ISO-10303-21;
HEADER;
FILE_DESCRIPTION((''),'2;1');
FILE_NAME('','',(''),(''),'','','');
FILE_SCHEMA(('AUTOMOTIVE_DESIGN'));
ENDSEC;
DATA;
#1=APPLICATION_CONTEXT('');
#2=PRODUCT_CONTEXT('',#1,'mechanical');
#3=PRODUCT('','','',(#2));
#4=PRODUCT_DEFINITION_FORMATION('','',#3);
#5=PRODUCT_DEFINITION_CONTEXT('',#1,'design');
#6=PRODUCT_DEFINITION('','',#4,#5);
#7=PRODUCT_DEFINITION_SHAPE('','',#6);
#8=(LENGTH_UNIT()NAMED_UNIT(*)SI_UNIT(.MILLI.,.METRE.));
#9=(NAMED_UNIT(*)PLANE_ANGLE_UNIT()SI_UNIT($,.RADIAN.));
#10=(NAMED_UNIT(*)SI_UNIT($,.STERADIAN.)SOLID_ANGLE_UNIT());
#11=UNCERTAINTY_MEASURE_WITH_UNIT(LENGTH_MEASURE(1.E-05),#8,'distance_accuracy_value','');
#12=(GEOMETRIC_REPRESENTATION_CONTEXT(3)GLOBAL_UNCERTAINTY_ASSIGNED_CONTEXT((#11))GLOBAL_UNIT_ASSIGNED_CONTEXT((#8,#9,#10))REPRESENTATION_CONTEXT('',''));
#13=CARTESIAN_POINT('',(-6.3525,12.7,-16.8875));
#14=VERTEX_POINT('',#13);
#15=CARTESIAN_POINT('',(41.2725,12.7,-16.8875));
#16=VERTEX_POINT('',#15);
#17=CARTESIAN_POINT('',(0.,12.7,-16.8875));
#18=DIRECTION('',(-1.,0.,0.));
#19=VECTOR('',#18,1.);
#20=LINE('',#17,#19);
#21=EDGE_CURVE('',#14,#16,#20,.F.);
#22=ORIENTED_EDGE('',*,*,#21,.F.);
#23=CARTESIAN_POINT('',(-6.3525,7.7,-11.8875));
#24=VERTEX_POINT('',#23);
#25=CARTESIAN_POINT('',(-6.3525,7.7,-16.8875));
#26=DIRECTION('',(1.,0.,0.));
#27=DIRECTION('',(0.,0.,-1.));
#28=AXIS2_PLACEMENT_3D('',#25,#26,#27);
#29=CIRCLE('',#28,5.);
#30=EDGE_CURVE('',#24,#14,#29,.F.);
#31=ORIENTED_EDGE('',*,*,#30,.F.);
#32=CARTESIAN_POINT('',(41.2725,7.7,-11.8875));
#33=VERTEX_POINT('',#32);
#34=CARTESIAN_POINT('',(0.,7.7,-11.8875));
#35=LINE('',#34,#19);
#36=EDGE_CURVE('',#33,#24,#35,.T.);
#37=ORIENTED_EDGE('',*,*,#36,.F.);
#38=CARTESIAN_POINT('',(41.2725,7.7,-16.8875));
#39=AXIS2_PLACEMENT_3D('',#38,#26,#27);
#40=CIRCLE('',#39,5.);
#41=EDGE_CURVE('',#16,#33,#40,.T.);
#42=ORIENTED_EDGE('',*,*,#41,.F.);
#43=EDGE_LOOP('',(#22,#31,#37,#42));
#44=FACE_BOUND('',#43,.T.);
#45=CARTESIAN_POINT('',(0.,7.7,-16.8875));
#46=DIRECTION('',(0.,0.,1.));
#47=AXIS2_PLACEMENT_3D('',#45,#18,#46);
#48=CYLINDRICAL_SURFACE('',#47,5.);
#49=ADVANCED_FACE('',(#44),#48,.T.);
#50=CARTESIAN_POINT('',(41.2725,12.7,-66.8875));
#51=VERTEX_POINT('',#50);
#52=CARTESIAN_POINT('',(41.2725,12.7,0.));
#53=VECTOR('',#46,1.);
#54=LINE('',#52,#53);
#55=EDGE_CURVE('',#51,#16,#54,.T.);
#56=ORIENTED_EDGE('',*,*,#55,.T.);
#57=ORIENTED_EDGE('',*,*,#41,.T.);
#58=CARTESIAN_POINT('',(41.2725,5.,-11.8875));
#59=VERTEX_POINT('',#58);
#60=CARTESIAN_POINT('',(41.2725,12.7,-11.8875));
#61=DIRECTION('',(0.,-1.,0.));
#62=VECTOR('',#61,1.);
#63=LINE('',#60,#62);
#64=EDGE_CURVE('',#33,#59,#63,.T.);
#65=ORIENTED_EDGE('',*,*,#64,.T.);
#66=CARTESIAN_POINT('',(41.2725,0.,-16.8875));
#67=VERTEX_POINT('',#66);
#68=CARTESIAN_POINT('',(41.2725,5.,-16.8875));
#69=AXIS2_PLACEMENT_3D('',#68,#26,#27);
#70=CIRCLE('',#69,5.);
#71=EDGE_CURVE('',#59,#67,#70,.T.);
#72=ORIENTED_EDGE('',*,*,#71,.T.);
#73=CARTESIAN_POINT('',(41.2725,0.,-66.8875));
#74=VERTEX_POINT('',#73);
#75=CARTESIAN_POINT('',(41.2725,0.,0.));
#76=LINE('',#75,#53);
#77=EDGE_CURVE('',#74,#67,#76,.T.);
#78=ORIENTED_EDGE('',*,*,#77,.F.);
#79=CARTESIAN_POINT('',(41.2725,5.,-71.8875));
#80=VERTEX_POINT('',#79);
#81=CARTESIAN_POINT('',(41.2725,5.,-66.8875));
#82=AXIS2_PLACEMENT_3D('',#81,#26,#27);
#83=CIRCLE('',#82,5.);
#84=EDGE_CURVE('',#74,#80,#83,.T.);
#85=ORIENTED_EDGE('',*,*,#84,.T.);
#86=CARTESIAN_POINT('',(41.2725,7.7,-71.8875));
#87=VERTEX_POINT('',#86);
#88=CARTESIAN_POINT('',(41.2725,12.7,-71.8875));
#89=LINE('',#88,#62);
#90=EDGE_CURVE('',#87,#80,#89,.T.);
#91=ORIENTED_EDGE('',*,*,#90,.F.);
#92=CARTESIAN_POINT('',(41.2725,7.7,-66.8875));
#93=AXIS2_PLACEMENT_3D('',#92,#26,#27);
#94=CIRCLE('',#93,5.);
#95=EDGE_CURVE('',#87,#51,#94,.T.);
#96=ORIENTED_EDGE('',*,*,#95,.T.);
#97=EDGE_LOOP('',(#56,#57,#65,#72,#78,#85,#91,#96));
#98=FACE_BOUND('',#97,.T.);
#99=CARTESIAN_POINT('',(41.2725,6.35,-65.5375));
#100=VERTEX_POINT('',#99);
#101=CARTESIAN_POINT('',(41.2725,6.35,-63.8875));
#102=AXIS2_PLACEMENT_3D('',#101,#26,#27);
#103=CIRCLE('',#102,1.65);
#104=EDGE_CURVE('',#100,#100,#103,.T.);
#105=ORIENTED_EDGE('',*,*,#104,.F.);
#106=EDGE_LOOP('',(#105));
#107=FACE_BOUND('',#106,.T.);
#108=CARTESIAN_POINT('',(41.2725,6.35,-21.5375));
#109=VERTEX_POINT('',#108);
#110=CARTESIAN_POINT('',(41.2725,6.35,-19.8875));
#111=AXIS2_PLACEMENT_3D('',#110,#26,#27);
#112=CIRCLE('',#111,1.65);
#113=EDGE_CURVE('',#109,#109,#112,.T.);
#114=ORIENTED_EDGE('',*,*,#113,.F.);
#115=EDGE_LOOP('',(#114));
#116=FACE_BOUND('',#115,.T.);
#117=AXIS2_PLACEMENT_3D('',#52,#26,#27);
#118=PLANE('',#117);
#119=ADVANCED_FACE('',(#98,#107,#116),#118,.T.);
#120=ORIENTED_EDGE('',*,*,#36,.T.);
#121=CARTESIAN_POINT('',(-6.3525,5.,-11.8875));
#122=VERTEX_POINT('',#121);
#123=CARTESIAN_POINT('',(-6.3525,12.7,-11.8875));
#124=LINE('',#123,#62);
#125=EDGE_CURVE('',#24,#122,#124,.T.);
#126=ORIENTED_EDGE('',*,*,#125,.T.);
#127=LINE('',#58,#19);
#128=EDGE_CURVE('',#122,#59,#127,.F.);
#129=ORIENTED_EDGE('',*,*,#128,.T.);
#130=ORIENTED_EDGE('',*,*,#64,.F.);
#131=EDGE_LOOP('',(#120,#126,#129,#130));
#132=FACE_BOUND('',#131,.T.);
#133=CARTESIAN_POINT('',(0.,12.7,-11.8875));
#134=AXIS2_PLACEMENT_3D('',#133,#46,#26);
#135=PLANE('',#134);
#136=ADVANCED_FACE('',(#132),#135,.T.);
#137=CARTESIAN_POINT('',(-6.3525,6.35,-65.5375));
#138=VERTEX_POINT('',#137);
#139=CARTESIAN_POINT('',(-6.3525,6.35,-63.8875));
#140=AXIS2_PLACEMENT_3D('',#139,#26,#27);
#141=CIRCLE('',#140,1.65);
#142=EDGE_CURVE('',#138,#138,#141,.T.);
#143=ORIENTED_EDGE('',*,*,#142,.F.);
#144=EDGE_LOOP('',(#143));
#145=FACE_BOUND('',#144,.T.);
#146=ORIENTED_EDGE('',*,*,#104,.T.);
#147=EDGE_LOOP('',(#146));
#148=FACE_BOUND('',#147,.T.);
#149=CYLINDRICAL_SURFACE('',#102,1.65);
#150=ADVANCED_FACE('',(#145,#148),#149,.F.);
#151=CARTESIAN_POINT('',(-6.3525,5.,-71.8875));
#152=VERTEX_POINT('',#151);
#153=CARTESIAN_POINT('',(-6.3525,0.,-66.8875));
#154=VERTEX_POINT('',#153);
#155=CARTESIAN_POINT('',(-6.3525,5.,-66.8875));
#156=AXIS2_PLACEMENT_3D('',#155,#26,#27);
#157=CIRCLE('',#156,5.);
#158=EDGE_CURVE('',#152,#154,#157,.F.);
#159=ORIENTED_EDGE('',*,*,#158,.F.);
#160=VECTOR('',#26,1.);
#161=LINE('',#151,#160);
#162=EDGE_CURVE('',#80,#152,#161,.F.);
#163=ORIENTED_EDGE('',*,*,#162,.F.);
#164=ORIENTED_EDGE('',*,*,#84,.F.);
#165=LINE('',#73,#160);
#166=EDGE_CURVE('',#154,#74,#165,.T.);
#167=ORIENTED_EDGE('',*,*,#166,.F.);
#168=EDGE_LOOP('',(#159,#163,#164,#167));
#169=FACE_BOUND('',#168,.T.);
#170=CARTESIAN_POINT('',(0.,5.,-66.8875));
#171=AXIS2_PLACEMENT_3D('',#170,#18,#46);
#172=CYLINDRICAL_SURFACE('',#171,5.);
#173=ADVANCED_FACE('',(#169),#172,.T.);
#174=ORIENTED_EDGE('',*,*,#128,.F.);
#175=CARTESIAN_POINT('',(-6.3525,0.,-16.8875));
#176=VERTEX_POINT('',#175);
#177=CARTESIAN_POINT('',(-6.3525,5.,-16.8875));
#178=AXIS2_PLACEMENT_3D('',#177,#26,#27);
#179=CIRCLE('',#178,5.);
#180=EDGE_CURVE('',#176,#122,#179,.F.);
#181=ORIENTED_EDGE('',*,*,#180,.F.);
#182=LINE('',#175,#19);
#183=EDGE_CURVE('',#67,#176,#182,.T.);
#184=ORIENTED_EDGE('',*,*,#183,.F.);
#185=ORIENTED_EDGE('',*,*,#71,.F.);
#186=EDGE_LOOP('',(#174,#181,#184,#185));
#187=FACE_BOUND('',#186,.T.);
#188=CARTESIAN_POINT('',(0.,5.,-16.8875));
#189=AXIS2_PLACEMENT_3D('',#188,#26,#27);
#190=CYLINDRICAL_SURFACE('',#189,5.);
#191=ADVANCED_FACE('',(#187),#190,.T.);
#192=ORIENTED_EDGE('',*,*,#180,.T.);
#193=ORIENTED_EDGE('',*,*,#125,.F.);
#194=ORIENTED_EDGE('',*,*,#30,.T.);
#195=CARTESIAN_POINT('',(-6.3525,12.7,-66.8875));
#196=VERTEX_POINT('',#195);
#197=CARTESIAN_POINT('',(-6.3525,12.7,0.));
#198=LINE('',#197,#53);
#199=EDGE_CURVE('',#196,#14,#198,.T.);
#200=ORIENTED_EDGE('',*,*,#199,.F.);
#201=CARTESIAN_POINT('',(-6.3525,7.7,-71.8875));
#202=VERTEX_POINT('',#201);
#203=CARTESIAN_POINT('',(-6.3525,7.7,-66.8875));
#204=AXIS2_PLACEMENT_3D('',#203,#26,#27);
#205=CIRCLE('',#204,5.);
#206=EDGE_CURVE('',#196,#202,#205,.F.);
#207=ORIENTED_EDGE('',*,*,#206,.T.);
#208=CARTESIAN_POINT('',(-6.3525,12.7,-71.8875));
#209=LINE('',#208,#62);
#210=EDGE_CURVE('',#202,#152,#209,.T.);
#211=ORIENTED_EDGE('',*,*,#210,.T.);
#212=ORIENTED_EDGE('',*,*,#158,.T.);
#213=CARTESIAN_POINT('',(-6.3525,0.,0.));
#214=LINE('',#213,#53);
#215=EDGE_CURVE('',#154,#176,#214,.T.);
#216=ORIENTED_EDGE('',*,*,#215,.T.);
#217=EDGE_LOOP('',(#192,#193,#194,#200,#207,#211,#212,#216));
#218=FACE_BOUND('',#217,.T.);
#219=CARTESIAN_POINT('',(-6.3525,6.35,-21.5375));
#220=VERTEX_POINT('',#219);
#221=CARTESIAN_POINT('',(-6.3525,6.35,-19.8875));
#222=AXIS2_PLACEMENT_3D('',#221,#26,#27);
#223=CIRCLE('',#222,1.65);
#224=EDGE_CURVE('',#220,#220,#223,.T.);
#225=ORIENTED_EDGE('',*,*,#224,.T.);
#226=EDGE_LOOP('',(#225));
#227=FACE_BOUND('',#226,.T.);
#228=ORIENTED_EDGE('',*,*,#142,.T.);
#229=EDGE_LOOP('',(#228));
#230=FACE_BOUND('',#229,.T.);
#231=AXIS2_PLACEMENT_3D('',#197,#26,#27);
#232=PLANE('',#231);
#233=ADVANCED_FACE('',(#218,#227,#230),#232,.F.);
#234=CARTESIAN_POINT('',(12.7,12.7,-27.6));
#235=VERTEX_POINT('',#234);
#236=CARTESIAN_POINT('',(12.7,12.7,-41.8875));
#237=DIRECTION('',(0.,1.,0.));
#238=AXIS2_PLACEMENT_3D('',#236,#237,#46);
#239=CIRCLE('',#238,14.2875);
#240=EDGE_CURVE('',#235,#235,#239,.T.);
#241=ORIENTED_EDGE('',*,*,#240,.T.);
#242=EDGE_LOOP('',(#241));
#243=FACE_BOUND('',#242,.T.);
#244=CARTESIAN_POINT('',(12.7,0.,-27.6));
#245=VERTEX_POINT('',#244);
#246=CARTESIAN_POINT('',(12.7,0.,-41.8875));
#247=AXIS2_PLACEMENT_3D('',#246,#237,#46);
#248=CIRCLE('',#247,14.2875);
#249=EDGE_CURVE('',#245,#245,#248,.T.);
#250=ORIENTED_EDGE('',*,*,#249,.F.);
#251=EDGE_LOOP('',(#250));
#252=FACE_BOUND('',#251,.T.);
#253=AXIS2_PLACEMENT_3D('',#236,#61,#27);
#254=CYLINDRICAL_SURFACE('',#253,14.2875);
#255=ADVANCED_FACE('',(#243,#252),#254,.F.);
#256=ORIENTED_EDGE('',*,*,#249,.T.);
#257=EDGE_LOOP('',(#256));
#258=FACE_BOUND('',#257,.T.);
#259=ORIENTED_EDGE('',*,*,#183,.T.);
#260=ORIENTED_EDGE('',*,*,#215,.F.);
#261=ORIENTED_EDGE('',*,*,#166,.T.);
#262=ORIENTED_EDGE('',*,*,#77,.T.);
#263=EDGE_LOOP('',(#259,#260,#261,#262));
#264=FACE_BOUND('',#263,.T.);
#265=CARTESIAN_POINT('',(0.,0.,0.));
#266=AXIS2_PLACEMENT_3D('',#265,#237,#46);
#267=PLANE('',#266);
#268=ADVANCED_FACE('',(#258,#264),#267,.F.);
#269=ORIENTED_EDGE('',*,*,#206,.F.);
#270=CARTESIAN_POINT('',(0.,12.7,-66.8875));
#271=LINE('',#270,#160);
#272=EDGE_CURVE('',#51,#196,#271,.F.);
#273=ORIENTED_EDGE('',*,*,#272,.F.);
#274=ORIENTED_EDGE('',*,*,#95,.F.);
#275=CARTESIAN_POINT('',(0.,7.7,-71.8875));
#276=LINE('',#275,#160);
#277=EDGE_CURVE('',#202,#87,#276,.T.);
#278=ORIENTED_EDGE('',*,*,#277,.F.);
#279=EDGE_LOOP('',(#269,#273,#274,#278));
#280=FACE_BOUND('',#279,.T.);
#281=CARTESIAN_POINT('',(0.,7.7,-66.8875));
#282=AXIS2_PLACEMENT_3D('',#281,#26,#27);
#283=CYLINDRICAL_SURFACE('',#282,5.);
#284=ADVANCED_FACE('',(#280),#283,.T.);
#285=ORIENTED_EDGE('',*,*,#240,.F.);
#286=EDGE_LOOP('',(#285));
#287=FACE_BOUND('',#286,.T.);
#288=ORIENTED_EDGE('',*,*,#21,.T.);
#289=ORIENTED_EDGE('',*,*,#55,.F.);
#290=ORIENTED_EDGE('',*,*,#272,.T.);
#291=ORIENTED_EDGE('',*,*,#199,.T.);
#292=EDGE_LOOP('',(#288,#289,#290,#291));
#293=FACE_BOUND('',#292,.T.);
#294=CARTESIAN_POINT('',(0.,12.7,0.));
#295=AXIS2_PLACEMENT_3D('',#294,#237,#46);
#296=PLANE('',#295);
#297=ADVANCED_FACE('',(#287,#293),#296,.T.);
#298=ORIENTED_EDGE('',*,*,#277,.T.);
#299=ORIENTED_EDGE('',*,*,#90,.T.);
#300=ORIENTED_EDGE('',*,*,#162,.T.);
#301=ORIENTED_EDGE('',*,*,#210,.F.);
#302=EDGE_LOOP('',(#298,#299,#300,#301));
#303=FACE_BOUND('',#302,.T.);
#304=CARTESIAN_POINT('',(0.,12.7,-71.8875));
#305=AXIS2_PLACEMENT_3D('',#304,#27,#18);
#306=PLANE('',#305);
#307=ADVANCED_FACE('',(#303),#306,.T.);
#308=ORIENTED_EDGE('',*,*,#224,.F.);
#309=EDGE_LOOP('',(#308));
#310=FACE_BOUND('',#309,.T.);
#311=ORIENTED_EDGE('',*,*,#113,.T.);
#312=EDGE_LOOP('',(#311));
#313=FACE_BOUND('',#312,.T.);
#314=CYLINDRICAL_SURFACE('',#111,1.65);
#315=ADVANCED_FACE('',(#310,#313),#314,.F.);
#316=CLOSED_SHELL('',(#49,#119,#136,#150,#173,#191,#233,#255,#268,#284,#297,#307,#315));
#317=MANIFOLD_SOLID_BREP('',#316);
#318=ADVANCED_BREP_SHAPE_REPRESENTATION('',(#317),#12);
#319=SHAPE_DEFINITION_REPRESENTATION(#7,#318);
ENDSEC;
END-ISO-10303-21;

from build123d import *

# Parameters (mm, degrees)
SKETCH2_W             = 23.81
SKETCH2_H             = 10.7125
SKETCH2_W_2           = 19.0525
SKETCH2_W_3           = 11.11
SKETCH2_W_4           = 9.39
SKETCH2_W_5           = 6.35
SKETCH2_W_6           = 1.725
SKETCH2_W_7           = 1.585
SKETCH2_W_8           = 6.3525
BOSS_EXTRUDE1_DEPTH   = 12.7
M4X0_7_TAPPED_HOLE1_D = 3.3
FILLET1_R             = 5


with BuildPart() as part:
    # Sketch2 → Boss-Extrude1 (new body)
    with BuildSketch(Plane(origin=(0, 0, 0), x_dir=(1, 0, 0), z_dir=(0, 1, 0))):
        with Locations((24.605, 66.53125)):
            Rectangle(SKETCH2_W, SKETCH2_H)
        with Locations((3.17375, 66.53125)):
            Rectangle(SKETCH2_W_2, SKETCH2_H)
        with BuildLine():
            Line((0, 22.6), (1.585, 22.6))
            Line((1.585, 22.6), (3.31, 22.6))
            Line((3.31, 22.6), (12.7, 22.6))
            Line((12.7, 22.6), (12.7, 27.6))
            ThreePointArc((12.7, 27.6), (-1.5875, 41.8875), (12.7, 56.175))
            Line((12.7, 56.175), (12.7, 61.175))
            Line((12.7, 61.175), (-6.3525, 61.175))
            Line((-6.3525, 61.175), (-6.3525, 22.6))
            Line((-6.3525, 22.6), (0, 22.6))
        make_face()
        with BuildLine():
            Line((12.7, 22.6), (23.81, 22.6))
            Line((23.81, 22.6), (30.16, 22.6))
            Line((30.16, 22.6), (36.51, 22.6))
            Line((36.51, 22.6), (36.51, 61.175))
            Line((36.51, 61.175), (12.7, 61.175))
            Line((12.7, 61.175), (12.7, 56.175))
            ThreePointArc((12.7, 56.175), (22.802788136, 51.990288136), (26.9875, 41.8875))
            ThreePointArc((26.9875, 41.8875), (22.802788136, 31.784711864), (12.7, 27.6))
            Line((12.7, 27.6), (12.7, 22.6))
        make_face()
        with Locations((18.255, 17.24375)):
            Rectangle(SKETCH2_W_3, SKETCH2_H)
        with Locations((8.005, 17.24375)):
            Rectangle(SKETCH2_W_4, SKETCH2_H)
        with Locations((26.985, 17.24375)):
            Rectangle(SKETCH2_W_5, SKETCH2_H)
        with Locations((33.335, 17.24375)):
            Rectangle(SKETCH2_W_5, SKETCH2_H)
        with Locations((2.4475, 17.24375)):
            Rectangle(SKETCH2_W_6, SKETCH2_H)
        with Locations((0.7925, 17.24375)):
            Rectangle(SKETCH2_W_7, SKETCH2_H)
        with Locations((-3.17625, 17.24375)):
            Rectangle(SKETCH2_W_8, SKETCH2_H)
        Polygon((36.51, 22.6), (36.51, 11.8875), (41.2725, 11.8875), (41.2725, 71.8875), (36.51, 71.8875), (36.51, 61.175), align=None)
    extrude(amount=BOSS_EXTRUDE1_DEPTH)

    # M4x0.7 Tapped Hole1 (through all)
    with Locations(Plane(origin=(41.2725, 0, 0), x_dir=(0, 0, -1), z_dir=(1, 0, 0))):
        with Locations((63.8875, 6.35), (19.8875, 6.35)):
            Hole(M4X0_7_TAPPED_HOLE1_D / 2)

    # Fillet1
    fillet1_edges = [part.edges().sort_by_distance(p)[0] for p in [
        (17.46, 0, -11.8875),
        (17.46, 12.7, -11.8875),
        (17.46, 12.7, -71.8875),
        (17.46, 0, -71.8875),
    ]]
    fillet(fillet1_edges, radius=FILLET1_R)


solid = part.part
